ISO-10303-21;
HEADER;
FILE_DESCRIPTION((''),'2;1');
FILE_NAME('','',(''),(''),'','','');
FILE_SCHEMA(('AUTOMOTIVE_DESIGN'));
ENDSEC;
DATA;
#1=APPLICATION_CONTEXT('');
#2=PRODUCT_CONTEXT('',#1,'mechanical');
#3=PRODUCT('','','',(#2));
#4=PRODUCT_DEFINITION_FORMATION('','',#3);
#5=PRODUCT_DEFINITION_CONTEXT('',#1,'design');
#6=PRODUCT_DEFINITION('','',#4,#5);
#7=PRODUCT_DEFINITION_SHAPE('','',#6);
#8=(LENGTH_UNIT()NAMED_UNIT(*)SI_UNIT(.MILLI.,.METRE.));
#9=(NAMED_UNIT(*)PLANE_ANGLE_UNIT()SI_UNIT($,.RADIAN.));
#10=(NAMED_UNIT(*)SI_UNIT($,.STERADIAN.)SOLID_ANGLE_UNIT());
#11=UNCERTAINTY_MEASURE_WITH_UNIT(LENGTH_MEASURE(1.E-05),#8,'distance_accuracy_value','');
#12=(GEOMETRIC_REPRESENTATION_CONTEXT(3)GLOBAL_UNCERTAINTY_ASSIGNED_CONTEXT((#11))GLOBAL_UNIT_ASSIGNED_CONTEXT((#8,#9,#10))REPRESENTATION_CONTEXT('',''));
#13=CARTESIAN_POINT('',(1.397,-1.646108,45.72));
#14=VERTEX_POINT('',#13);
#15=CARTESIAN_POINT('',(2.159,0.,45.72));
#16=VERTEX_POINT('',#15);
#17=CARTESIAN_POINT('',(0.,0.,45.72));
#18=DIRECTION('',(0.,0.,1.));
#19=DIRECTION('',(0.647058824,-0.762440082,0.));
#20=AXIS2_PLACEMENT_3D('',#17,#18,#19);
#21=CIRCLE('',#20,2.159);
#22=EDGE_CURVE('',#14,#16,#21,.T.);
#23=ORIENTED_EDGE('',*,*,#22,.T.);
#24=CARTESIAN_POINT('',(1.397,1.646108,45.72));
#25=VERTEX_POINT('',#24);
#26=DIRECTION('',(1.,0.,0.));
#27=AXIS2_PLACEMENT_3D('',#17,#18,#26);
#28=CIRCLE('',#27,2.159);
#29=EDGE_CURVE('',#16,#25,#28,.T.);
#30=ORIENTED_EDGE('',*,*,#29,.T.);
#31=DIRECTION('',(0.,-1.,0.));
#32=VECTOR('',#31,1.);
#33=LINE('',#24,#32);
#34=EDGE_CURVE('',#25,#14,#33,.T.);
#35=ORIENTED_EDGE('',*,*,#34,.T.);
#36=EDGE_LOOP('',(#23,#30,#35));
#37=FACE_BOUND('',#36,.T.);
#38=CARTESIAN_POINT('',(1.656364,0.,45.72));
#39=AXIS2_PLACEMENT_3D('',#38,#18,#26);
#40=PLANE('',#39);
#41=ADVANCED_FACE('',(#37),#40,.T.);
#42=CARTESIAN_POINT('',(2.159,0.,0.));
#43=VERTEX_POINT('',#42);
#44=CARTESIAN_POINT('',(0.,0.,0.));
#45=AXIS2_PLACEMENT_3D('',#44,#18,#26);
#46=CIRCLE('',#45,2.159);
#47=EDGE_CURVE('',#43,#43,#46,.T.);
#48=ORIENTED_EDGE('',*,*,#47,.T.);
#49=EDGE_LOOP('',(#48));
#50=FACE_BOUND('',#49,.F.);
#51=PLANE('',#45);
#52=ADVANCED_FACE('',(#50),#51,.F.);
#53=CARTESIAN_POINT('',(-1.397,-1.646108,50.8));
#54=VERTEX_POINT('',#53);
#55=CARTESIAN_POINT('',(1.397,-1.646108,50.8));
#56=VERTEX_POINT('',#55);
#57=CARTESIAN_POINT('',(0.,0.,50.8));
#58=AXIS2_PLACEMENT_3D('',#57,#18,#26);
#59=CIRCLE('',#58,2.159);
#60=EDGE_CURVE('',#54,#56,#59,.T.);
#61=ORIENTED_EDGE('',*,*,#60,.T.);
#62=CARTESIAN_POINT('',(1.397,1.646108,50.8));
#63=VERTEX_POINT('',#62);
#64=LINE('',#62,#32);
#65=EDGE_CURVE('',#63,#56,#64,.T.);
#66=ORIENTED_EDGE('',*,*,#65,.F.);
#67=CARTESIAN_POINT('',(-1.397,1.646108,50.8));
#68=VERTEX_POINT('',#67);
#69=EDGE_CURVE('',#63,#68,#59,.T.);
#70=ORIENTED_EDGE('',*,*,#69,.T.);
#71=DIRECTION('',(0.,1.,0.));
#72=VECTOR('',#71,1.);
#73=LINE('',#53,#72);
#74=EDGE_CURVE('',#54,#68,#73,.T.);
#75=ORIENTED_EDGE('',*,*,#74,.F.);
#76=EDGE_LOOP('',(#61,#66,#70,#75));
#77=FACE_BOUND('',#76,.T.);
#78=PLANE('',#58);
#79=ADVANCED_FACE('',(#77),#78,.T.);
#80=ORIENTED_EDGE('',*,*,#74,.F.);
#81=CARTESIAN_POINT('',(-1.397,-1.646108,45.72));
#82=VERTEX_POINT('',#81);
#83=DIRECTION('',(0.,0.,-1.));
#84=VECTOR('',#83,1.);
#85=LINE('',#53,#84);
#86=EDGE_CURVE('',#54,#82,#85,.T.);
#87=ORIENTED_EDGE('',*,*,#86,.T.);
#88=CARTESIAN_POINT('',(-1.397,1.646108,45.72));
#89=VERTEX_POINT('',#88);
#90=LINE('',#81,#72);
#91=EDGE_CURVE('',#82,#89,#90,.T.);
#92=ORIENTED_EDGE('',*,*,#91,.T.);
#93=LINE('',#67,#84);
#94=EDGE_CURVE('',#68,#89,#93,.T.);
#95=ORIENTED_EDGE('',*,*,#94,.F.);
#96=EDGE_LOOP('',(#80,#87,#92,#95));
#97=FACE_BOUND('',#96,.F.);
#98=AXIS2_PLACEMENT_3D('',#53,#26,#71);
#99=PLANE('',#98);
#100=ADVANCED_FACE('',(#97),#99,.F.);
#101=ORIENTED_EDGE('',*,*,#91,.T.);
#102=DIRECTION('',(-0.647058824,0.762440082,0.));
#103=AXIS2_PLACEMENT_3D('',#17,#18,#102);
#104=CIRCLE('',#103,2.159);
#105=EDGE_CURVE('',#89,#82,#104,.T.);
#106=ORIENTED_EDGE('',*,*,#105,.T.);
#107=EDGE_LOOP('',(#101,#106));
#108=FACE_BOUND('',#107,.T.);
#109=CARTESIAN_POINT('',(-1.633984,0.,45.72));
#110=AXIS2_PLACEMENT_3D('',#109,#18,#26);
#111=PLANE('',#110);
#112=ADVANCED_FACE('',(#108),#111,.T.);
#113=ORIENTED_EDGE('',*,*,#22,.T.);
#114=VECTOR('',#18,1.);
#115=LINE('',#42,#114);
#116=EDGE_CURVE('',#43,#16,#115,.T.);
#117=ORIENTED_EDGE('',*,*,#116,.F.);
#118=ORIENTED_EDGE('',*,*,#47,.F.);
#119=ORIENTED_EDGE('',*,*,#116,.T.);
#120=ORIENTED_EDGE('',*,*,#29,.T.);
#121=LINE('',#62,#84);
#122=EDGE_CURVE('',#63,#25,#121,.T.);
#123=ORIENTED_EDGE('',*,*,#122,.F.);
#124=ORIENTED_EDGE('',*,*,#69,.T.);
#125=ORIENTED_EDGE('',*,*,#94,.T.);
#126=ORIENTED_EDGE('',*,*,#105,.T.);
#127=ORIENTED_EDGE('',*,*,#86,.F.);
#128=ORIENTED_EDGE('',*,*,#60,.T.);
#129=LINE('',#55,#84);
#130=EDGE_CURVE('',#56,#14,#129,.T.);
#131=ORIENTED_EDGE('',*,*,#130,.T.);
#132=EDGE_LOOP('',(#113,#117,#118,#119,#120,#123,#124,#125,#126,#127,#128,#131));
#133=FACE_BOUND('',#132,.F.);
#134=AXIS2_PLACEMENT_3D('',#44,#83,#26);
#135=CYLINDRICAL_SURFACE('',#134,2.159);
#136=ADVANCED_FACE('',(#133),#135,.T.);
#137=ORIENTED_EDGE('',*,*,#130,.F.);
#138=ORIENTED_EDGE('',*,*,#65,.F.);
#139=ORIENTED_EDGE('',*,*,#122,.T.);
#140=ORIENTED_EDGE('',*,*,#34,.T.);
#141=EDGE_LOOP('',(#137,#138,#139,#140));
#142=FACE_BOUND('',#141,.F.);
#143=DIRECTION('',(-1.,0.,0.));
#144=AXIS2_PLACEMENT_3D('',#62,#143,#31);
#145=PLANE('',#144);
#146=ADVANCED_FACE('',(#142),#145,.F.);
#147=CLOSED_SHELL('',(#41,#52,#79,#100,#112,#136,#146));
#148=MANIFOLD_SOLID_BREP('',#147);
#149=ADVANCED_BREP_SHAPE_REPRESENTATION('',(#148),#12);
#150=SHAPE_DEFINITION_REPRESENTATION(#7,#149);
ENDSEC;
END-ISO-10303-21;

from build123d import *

# Parameters (mm, degrees)
F0_R     = 2.159
F1_DEPTH = 50.8
F3_DEPTH = 5.08


with BuildPart() as f1:
    # F0 (on Top) → F1 (new body)
    with BuildSketch(Plane.XY):
        Circle(F0_R)
    extrude(amount=F1_DEPTH)

    # F2 (on face) → F3 (cut)
    with BuildSketch(Plane.XY.offset(50.8)):
        with BuildLine():
            ThreePointArc((2.159, 0), (1.9592605748, 0.9069614104), (1.397, 1.6461081374))
            Line((1.397, 1.6461081374), (1.397, -1.6461081374))
            ThreePointArc((1.397, -1.6461081374), (1.9592605748, -0.9069614104), (2.159, 0))
        make_face()
        with BuildLine():
            Line((-1.397, -1.6461081374), (-1.397, 1.6461081374))
            ThreePointArc((-1.397, 1.6461081374), (-2.159, 0), (-1.397, -1.6461081374))
        make_face()
    extrude(amount=-F3_DEPTH, mode=Mode.SUBTRACT)


solid = f1.part
